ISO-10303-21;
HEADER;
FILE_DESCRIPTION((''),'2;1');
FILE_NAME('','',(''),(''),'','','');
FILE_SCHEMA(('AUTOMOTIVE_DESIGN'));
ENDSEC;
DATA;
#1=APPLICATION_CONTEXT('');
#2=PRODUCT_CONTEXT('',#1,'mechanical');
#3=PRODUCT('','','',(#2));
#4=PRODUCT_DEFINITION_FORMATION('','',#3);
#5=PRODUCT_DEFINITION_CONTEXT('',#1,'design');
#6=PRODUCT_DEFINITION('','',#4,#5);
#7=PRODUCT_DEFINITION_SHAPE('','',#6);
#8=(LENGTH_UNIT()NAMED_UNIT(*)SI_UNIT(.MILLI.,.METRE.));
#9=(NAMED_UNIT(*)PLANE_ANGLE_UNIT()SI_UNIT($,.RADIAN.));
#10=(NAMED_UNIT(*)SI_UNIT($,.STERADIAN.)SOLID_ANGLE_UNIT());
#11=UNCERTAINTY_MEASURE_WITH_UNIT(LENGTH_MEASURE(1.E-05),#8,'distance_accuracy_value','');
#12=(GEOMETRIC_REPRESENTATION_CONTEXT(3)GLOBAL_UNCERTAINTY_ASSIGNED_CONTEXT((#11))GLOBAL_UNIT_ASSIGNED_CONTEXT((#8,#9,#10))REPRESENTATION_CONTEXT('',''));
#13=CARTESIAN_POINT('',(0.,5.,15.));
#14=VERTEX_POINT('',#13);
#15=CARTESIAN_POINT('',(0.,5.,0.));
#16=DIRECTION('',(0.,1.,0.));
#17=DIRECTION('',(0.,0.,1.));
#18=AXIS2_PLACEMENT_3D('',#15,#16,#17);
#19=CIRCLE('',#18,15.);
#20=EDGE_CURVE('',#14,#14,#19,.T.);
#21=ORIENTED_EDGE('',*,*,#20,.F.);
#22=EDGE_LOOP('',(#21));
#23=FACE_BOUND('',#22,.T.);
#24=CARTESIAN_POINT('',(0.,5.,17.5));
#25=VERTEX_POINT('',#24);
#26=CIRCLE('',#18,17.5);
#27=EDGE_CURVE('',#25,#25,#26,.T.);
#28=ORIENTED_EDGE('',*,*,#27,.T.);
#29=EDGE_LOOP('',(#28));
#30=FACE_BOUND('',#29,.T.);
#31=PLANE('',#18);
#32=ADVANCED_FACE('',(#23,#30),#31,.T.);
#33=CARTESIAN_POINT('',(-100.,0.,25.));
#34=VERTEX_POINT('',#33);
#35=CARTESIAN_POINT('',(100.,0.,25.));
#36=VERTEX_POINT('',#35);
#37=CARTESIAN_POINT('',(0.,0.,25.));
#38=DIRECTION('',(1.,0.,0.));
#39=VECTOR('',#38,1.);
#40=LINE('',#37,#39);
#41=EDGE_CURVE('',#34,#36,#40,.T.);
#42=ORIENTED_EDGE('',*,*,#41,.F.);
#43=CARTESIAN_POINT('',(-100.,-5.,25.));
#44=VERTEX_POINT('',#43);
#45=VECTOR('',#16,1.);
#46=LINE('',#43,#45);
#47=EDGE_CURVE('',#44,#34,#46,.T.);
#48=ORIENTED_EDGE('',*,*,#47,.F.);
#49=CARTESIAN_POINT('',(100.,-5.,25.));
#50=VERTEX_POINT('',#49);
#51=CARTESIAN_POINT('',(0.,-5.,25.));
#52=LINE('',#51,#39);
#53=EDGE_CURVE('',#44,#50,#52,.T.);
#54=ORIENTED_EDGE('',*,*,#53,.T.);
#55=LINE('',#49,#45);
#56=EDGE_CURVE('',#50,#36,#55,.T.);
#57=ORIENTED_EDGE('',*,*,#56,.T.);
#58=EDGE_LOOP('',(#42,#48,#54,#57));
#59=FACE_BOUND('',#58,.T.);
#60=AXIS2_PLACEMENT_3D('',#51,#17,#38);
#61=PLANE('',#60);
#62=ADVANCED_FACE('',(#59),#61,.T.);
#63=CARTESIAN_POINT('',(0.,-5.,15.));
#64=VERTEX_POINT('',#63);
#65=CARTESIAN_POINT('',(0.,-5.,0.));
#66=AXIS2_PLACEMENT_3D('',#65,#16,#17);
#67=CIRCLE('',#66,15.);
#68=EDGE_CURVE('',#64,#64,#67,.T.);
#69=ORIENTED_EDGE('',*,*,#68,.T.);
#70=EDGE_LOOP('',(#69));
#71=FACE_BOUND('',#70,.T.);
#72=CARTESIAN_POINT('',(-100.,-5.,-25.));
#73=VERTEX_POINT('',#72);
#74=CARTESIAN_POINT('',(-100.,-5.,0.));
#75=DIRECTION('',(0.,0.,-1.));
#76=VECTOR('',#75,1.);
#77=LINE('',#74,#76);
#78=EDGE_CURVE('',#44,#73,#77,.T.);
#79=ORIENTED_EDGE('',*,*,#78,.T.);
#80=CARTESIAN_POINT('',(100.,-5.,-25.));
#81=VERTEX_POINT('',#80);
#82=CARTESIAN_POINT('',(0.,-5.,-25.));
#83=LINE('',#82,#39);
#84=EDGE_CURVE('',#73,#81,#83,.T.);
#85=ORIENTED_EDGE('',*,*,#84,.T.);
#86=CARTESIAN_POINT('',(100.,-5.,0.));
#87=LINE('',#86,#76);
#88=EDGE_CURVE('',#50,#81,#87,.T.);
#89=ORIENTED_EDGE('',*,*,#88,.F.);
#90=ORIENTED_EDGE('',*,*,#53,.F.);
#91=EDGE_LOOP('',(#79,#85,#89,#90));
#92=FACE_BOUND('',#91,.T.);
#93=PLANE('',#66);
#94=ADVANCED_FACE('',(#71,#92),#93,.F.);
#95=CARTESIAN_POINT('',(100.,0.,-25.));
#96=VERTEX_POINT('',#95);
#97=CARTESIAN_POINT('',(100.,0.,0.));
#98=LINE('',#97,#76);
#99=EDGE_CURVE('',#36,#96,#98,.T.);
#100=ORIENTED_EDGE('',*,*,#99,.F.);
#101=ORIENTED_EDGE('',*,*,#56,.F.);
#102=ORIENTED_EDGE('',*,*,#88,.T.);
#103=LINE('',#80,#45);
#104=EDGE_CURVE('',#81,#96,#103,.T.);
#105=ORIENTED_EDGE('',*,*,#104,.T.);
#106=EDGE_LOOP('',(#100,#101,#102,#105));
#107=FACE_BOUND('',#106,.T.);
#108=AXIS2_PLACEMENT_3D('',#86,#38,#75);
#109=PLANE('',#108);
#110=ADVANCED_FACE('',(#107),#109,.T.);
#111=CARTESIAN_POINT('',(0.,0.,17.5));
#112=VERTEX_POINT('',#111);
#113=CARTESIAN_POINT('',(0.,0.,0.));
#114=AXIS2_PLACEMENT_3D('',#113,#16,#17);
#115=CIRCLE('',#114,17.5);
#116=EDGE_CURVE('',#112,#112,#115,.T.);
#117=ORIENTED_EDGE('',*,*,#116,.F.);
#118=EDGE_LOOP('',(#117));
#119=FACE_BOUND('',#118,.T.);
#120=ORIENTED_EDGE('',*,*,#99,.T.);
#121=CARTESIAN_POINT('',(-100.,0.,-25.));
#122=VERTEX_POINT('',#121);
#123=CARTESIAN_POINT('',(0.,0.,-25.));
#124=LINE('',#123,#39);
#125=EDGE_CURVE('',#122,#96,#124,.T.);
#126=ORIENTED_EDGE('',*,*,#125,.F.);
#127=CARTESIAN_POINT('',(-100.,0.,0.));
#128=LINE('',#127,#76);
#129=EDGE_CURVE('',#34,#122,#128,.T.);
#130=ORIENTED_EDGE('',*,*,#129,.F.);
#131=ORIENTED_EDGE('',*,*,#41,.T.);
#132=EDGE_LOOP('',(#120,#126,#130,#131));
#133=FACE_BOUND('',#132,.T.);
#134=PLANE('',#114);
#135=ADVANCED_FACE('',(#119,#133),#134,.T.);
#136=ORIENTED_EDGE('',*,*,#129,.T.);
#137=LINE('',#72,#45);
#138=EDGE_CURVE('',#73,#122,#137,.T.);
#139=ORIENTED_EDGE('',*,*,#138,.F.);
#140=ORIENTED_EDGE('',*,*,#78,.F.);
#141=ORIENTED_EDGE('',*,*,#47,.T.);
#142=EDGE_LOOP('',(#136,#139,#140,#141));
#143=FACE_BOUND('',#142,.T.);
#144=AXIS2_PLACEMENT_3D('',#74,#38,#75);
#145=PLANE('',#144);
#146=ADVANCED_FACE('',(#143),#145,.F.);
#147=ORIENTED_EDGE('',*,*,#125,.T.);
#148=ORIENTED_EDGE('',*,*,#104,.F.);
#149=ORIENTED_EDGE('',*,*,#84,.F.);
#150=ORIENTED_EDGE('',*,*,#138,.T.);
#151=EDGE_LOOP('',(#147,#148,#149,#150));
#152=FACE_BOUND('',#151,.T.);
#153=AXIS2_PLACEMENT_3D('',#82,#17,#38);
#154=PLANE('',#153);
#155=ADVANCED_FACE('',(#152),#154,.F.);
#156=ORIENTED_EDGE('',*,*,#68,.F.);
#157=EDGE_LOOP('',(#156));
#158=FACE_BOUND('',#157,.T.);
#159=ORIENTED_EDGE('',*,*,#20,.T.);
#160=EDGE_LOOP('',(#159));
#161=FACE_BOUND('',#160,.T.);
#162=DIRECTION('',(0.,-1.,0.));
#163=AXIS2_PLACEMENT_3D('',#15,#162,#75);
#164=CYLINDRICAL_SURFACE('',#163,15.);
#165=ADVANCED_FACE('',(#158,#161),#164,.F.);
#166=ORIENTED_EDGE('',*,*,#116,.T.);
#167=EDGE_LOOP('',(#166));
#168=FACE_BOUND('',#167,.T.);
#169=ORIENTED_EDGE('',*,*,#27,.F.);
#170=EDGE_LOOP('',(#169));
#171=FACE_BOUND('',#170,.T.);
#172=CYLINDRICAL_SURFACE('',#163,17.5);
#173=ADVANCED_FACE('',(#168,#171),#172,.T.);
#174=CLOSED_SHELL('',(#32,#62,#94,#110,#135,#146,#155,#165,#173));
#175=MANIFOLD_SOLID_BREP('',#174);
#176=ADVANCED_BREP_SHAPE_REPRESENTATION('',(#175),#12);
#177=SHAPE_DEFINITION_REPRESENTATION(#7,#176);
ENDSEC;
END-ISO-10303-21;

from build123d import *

# Parameters (mm, degrees)
SKETCH1_R           = 17.5
SKETCH1_R_2         = 15
BOSS_EXTRUDE1_DEPTH = 5
BOSS_EXTRUDE2_START = -5
SKETCH1_3_W         = 200
SKETCH1_3_H         = 50
SKETCH1_3_R         = 15
BOSS_EXTRUDE2_DEPTH = 5


with BuildPart() as part:
    # Sketch1 → Boss-Extrude1 (new body)
    with BuildSketch(Plane(origin=(0, 0, 0), x_dir=(1, 0, 0), z_dir=(0, 1, 0))):
        Circle(SKETCH1_R)
        Circle(SKETCH1_R_2, mode=Mode.SUBTRACT)
    extrude(amount=BOSS_EXTRUDE1_DEPTH)

    # Sketch1<3> → Boss-Extrude2 (add)
    with BuildSketch(Plane(origin=(0, 0, 0), x_dir=(1, 0, 0), z_dir=(0, 1, 0)).offset(BOSS_EXTRUDE2_START)):
        Rectangle(SKETCH1_3_W, SKETCH1_3_H)
        Circle(SKETCH1_3_R, mode=Mode.SUBTRACT)
    extrude(amount=BOSS_EXTRUDE2_DEPTH)


solid = part.part
